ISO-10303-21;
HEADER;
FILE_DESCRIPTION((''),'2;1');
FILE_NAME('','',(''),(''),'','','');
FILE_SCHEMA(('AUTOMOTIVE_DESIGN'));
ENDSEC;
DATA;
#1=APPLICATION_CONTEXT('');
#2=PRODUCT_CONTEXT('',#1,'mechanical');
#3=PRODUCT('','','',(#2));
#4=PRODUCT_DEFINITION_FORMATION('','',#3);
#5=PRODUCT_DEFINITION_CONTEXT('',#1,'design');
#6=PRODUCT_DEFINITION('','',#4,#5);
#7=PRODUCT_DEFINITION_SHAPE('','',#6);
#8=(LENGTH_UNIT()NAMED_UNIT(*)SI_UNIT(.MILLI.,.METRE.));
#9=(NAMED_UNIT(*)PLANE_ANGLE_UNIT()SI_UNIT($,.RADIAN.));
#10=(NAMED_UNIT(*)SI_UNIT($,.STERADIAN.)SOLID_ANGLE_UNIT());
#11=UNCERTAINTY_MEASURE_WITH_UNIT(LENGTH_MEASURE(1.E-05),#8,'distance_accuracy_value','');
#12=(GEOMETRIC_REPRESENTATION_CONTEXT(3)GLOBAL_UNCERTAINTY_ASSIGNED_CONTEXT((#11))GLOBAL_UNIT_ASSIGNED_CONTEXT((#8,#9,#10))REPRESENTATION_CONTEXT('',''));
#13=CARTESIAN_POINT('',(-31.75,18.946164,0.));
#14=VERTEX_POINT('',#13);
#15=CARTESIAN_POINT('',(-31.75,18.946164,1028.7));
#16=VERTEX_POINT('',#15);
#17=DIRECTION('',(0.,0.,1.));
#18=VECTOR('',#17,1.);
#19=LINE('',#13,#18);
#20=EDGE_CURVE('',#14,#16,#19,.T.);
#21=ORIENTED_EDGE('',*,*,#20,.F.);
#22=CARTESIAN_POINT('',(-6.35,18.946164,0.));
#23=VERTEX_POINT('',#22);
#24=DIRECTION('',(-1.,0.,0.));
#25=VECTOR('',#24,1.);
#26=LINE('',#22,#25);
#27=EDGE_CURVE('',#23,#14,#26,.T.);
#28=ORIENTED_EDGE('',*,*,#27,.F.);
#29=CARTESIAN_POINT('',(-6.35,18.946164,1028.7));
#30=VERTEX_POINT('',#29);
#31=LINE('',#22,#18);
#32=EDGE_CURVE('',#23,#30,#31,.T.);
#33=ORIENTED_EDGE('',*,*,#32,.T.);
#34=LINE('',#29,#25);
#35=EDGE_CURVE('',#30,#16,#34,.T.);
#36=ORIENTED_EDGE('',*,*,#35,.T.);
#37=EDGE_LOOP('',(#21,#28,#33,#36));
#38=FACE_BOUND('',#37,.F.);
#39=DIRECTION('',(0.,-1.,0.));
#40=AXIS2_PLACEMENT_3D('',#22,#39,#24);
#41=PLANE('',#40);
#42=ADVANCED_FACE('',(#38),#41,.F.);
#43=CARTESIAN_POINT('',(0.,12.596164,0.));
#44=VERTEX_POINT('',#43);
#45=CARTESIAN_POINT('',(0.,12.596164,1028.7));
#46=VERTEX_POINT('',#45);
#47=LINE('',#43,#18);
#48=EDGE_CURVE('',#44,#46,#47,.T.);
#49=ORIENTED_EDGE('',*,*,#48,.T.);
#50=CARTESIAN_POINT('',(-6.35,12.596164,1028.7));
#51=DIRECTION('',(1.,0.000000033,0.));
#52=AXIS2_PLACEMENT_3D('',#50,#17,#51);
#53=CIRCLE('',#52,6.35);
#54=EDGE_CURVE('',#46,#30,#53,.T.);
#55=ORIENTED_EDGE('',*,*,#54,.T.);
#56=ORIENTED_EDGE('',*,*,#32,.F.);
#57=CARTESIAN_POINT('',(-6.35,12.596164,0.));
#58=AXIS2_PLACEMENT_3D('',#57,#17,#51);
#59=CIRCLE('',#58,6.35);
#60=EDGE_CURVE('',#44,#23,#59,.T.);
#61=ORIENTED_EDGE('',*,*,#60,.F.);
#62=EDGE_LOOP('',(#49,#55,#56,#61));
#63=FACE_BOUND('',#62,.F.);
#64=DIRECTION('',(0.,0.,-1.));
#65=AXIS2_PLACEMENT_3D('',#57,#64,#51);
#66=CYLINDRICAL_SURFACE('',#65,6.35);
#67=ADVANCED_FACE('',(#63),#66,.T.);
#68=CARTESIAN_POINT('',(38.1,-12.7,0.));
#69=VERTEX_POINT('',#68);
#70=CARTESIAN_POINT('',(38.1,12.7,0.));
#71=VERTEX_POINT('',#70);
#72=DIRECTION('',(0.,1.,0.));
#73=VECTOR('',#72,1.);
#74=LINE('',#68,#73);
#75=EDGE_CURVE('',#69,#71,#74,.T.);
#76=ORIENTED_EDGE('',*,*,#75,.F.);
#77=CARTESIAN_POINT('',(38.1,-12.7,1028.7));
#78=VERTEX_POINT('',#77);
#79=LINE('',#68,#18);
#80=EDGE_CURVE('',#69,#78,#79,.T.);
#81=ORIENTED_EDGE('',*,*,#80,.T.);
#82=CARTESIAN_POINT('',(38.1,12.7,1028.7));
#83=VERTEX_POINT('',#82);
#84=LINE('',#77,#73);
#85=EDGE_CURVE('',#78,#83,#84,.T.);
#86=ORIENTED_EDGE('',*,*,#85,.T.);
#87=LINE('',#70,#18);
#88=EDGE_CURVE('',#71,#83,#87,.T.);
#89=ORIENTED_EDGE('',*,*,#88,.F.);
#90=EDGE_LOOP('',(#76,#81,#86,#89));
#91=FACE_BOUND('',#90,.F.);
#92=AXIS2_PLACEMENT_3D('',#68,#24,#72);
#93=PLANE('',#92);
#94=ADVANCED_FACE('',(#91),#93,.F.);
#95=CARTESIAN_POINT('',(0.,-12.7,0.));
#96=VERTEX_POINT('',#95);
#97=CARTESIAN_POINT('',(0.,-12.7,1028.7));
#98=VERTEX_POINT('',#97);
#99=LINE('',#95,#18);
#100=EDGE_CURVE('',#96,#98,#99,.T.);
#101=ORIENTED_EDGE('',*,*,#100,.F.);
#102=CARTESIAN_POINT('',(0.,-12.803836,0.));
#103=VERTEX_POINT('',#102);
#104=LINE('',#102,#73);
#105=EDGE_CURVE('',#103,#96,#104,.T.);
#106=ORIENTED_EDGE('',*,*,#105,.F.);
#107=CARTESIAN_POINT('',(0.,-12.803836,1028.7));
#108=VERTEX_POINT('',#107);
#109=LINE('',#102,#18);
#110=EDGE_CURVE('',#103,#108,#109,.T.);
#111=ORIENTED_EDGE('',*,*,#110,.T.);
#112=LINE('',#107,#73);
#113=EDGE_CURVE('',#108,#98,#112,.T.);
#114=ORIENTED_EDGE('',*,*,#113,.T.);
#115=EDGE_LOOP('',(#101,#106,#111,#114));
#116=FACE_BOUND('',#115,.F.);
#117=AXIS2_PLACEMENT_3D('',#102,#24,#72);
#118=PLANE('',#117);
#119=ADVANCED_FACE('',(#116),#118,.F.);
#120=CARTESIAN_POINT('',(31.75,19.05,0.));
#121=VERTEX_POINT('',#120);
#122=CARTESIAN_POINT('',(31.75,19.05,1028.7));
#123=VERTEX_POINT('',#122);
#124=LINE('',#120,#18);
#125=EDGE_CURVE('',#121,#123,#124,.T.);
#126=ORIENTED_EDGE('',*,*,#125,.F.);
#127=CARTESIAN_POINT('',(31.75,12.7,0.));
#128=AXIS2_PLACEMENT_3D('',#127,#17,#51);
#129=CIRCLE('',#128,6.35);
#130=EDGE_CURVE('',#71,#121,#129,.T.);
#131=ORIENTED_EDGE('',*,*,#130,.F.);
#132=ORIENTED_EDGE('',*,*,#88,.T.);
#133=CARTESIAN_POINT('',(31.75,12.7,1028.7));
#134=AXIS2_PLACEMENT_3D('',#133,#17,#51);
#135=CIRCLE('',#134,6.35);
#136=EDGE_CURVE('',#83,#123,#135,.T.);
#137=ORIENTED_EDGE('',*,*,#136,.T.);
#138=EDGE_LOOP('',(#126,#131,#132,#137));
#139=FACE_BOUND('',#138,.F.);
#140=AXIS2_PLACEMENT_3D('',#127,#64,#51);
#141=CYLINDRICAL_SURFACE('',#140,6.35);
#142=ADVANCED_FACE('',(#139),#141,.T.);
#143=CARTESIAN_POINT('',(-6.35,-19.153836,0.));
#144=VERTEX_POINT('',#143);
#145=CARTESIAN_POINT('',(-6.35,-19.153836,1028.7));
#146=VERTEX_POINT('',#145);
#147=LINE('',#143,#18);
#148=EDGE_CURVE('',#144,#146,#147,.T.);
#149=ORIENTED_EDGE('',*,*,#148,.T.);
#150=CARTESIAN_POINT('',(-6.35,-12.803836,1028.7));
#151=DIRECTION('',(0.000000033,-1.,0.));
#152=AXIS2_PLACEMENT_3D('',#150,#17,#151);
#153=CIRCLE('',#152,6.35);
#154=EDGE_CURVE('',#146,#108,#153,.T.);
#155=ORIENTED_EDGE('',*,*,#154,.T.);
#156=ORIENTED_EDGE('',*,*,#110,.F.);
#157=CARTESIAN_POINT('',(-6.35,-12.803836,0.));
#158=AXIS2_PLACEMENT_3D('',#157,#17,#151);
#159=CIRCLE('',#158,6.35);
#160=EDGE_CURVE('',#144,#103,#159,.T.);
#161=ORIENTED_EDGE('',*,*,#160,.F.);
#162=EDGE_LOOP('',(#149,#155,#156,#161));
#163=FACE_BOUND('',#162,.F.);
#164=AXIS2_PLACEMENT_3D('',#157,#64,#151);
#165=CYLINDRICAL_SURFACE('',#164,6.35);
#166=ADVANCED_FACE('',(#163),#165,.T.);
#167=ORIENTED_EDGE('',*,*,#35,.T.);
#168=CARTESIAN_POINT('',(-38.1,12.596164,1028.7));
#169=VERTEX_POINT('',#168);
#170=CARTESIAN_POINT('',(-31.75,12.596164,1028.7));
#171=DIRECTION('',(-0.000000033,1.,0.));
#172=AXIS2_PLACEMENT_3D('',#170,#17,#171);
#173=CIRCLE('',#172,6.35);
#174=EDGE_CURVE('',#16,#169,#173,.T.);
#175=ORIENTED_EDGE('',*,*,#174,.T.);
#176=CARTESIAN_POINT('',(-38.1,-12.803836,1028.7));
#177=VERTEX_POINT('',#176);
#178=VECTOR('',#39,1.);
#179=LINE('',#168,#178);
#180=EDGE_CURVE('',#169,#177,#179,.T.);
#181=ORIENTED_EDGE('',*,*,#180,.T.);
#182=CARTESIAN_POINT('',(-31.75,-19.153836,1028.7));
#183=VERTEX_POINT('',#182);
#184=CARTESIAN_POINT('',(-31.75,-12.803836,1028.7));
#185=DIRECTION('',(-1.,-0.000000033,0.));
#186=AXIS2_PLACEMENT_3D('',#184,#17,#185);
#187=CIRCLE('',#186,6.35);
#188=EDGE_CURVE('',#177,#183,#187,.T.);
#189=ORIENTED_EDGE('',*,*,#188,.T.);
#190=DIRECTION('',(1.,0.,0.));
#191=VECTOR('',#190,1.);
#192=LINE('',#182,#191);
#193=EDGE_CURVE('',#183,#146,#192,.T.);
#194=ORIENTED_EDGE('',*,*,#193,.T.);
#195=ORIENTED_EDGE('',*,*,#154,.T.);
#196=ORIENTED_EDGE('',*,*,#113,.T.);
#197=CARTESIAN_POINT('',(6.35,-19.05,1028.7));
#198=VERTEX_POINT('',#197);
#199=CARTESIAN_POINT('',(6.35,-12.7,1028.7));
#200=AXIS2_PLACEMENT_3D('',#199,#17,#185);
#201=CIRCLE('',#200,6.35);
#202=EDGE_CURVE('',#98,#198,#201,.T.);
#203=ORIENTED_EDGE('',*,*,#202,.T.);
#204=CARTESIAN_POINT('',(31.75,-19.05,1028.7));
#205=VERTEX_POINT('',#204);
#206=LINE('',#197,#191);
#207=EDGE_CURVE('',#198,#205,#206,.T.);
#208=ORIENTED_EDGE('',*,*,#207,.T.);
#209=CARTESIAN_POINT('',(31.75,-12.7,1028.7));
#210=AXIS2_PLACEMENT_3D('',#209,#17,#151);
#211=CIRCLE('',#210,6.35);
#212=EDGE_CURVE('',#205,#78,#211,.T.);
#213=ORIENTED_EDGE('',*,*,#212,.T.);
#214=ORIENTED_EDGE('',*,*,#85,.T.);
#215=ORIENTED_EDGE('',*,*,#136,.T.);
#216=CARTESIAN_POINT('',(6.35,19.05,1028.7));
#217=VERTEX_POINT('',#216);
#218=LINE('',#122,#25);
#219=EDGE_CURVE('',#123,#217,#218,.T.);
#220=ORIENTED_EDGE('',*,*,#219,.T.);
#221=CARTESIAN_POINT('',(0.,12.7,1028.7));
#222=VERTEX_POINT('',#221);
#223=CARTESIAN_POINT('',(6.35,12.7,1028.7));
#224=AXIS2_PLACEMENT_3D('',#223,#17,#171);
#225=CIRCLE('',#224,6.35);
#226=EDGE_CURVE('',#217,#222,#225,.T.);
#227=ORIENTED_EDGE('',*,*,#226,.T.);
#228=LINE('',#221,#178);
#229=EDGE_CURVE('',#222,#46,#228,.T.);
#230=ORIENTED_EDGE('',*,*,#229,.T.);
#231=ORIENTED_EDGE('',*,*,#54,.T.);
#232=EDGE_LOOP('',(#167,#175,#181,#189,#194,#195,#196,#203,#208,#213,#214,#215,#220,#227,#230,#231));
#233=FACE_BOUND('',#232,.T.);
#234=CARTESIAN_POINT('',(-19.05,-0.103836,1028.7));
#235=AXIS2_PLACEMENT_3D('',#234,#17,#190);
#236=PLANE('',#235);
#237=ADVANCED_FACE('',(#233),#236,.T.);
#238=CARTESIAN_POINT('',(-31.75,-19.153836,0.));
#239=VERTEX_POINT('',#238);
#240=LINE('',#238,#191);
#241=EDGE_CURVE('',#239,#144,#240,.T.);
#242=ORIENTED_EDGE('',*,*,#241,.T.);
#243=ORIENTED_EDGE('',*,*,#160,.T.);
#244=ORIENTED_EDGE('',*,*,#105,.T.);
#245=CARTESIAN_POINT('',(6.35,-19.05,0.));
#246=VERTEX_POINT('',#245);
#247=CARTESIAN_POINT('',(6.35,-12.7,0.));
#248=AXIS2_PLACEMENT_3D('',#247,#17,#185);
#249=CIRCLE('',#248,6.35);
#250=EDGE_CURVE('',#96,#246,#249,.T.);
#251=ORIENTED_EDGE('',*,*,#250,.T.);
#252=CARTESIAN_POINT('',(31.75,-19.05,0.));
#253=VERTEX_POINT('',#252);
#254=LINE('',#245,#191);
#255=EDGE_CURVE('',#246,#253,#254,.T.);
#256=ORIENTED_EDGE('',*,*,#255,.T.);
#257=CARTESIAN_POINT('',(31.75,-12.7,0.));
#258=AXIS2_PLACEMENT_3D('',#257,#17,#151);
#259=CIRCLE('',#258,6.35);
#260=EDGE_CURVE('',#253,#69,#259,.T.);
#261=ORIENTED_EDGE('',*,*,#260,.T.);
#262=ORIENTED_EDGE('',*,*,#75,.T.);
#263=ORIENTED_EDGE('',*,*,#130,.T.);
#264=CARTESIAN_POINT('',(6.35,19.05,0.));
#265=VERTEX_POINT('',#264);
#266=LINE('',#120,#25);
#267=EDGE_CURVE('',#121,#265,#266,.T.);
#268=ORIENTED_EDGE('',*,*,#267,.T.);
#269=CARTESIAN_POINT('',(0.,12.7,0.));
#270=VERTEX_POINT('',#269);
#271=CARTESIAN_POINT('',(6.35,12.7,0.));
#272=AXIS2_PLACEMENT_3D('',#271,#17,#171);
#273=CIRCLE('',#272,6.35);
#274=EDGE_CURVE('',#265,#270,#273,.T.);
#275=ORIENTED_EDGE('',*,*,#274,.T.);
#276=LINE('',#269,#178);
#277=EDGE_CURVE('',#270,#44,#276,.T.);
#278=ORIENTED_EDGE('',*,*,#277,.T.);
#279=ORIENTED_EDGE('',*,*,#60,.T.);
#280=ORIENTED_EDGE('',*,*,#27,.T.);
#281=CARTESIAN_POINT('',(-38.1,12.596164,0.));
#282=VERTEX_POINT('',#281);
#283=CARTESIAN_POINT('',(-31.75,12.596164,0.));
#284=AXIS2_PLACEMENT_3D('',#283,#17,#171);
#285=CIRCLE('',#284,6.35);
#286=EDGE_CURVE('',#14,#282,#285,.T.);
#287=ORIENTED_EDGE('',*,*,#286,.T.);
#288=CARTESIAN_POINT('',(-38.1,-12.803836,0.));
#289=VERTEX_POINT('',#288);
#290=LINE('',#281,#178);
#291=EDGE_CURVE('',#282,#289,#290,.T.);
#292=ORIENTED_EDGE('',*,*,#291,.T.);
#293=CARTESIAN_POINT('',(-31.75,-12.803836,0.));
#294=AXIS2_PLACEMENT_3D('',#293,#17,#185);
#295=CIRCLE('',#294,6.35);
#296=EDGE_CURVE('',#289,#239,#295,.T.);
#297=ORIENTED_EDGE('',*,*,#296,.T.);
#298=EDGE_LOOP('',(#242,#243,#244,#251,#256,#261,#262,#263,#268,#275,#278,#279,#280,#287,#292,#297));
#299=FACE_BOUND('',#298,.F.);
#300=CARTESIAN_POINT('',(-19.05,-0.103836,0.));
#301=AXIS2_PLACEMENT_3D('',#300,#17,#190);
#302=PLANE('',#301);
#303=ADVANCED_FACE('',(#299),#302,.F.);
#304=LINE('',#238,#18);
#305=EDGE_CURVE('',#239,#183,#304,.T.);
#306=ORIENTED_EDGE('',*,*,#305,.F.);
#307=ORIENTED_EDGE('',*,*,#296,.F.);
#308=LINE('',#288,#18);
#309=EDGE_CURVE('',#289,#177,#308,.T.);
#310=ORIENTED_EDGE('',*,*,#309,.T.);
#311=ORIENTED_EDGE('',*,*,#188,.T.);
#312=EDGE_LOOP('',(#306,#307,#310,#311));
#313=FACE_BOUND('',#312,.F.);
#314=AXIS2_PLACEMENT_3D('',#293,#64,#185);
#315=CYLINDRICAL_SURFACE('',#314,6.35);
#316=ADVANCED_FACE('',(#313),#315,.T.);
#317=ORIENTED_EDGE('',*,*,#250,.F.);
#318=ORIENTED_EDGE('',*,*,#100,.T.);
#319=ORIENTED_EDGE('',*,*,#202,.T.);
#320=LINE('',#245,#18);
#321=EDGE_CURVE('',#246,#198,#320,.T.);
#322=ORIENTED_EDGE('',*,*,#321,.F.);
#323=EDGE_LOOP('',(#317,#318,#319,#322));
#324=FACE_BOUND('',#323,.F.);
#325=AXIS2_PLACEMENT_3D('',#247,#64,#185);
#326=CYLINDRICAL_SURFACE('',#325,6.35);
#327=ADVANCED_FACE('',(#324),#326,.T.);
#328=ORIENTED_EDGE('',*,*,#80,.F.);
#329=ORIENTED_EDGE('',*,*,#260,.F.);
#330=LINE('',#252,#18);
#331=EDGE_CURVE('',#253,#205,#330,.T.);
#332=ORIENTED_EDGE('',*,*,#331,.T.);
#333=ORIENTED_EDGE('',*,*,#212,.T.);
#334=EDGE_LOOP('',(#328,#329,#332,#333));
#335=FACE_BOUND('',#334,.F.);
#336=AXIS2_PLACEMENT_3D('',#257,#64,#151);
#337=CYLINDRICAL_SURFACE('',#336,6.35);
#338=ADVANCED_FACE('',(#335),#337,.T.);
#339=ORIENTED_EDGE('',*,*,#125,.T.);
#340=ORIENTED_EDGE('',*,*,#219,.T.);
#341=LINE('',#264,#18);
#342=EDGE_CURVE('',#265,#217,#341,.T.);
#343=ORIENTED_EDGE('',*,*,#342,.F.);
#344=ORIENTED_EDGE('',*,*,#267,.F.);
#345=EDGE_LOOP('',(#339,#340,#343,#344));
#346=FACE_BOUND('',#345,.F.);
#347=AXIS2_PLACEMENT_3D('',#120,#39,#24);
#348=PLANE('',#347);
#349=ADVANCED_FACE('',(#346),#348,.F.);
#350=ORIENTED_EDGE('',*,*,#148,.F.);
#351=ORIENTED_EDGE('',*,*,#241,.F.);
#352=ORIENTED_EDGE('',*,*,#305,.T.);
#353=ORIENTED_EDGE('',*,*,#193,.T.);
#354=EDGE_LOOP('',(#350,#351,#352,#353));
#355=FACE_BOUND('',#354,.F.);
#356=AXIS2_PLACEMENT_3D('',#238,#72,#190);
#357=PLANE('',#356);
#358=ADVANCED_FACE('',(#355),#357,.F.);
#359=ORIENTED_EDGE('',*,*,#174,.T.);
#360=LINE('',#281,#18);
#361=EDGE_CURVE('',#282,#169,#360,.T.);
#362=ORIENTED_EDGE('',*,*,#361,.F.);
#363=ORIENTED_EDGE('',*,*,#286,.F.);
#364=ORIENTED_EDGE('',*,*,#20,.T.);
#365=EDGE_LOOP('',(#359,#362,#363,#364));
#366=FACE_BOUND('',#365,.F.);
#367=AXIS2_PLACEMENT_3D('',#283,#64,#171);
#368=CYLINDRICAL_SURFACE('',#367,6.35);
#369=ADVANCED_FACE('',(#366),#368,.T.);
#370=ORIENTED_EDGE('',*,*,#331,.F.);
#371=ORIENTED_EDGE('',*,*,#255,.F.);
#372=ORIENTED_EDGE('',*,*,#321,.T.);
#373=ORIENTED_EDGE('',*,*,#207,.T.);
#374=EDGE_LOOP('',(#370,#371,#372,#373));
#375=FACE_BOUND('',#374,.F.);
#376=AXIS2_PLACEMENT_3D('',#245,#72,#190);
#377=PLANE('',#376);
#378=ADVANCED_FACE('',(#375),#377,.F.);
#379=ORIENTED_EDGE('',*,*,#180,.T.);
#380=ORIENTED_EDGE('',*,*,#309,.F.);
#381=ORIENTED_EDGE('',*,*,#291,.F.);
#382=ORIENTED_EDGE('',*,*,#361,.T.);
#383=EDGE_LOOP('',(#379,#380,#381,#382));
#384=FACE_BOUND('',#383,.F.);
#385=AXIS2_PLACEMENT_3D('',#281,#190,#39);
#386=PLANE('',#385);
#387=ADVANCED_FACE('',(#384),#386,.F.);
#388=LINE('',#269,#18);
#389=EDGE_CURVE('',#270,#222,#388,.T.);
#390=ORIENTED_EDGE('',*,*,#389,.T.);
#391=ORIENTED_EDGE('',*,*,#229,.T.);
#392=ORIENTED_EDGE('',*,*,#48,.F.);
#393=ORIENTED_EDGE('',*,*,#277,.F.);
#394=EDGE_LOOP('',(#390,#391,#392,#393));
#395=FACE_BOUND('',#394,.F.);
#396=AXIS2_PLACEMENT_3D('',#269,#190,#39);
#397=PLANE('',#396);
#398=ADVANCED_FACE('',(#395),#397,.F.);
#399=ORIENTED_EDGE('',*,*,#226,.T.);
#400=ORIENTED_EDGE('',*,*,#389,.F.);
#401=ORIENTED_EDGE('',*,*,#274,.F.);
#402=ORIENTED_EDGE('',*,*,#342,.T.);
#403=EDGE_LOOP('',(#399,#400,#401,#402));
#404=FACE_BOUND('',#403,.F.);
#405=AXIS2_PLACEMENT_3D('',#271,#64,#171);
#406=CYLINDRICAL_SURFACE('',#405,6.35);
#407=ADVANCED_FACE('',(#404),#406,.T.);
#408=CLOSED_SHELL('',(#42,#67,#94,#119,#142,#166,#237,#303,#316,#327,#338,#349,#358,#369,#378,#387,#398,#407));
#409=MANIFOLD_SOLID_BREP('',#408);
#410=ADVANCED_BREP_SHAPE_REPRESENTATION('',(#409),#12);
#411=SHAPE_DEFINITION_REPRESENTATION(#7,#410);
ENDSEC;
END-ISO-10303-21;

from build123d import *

# Parameters (mm, degrees)
F1_DEPTH = 1028.7


with BuildPart() as f1:
    # F0 (on Top) → F1 (new body)
    with BuildSketch(Plane.XY):
        with BuildLine():
            ThreePointArc((0, 12.596164), (-1.859872, 17.086292), (-6.35, 18.946164))
            Line((-6.35, 18.946164), (-31.75, 18.946164))
            ThreePointArc((-31.75, 18.946164), (-36.240128, 17.086292), (-38.1, 12.596164))
            Line((-38.1, 12.596164), (-38.1, -12.803836))
            ThreePointArc((-38.1, -12.803836), (-36.240128, -17.293964), (-31.75, -19.153836))
            Line((-31.75, -19.153836), (-6.35, -19.153836))
            ThreePointArc((-6.35, -19.153836), (-1.859872, -17.293964), (0, -12.803836))
            Line((0, -12.803836), (0, -12.7))
            Line((0, -12.7), (0, 12.596164))
        make_face()
        with BuildLine():
            Line((0, 12.7), (0, 12.596164))
            Line((0, 12.596164), (0, -12.7))
            ThreePointArc((0, -12.7), (1.859872, -17.190128), (6.35, -19.05))
            Line((6.35, -19.05), (31.75, -19.05))
            ThreePointArc((31.75, -19.05), (36.240128, -17.190128), (38.1, -12.7))
            Line((38.1, -12.7), (38.1, 12.7))
            ThreePointArc((38.1, 12.7), (36.240128, 17.190128), (31.75, 19.05))
            Line((31.75, 19.05), (6.35, 19.05))
            ThreePointArc((6.35, 19.05), (1.859872, 17.190128), (0, 12.7))
        make_face()
    extrude(amount=F1_DEPTH)


solid = f1.part
